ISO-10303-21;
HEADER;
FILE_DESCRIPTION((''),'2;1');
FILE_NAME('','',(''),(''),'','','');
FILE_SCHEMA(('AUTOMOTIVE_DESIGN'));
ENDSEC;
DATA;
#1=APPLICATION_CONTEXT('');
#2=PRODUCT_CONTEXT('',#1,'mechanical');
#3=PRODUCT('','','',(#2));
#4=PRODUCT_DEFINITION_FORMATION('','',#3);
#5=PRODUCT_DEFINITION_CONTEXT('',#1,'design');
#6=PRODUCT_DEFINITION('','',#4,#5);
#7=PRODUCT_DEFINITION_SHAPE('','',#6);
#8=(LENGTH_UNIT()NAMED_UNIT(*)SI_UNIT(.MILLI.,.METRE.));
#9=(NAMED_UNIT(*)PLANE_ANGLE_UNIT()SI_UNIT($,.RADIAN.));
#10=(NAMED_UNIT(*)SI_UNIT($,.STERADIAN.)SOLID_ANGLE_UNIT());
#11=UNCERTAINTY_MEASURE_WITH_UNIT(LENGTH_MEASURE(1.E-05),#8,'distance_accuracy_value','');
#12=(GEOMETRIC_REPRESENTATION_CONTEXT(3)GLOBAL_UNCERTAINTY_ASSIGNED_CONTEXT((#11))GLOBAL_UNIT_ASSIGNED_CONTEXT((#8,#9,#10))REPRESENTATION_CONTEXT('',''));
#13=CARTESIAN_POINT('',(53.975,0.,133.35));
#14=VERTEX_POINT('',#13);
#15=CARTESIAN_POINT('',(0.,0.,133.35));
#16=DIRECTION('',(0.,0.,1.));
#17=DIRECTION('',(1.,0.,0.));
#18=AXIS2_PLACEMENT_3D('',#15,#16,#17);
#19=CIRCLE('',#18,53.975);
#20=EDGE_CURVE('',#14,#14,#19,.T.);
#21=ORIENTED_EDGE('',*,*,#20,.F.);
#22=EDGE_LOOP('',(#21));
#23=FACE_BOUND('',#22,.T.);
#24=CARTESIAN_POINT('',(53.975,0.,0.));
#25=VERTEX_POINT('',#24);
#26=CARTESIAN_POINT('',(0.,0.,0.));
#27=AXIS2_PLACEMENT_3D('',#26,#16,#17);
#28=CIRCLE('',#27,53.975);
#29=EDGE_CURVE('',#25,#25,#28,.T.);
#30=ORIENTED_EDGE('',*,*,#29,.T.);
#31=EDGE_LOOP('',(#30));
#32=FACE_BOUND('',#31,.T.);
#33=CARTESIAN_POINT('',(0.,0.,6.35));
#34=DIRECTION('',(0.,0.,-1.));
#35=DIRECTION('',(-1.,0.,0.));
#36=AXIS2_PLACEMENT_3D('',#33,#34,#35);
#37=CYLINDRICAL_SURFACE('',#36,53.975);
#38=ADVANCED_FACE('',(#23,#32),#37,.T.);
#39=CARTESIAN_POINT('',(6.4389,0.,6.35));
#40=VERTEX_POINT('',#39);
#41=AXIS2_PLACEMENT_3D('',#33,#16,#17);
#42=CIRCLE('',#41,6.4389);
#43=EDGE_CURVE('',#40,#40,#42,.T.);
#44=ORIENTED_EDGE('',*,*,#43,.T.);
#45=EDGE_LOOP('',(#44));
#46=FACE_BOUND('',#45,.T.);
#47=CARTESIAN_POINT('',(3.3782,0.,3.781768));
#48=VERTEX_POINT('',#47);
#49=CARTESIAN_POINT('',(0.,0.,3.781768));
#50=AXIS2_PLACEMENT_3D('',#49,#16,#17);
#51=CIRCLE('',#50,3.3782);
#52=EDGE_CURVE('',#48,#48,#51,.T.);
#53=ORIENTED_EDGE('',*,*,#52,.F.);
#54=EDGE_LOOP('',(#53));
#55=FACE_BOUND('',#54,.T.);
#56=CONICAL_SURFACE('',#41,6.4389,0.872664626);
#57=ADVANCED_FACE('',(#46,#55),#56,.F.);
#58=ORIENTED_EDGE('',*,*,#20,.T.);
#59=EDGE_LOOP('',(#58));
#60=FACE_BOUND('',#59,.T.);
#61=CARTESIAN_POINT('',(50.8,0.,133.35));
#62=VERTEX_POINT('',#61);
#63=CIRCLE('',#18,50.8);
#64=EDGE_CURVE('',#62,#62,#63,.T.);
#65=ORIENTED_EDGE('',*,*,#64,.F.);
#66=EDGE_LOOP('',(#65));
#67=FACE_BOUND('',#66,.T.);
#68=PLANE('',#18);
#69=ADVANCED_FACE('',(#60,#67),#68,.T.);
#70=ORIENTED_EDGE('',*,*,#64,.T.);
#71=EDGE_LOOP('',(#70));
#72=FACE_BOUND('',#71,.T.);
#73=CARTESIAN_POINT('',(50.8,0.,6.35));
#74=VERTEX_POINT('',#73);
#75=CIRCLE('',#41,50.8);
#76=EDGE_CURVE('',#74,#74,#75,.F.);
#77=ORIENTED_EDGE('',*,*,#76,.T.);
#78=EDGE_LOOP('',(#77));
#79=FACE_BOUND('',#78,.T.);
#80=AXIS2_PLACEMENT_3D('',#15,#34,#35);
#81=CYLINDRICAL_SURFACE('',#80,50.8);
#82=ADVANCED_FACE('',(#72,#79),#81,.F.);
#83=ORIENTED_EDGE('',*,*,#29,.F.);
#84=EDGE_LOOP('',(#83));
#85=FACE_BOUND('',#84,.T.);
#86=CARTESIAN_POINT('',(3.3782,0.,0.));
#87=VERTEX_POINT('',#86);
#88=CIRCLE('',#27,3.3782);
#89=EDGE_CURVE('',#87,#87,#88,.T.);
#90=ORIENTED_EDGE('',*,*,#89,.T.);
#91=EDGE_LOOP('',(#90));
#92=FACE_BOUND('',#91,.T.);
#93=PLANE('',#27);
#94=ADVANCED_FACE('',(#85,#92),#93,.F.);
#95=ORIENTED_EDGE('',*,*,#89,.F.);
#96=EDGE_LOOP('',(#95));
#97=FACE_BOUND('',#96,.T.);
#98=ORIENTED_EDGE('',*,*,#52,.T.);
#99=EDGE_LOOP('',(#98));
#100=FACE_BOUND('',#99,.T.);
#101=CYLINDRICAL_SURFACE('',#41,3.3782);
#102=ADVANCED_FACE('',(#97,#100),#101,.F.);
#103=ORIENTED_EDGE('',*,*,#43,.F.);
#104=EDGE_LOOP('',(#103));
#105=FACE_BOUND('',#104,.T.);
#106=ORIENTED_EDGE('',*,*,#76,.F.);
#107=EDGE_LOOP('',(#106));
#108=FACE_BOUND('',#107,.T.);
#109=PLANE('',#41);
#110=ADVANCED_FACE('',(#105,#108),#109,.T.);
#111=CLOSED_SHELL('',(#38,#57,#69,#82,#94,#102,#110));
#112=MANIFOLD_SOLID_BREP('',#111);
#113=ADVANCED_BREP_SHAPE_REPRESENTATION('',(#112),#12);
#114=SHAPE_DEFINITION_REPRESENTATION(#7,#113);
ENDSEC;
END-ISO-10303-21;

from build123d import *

# Parameters (mm, degrees)
SKETCH1_R                                           = 53.975
BOSS_EXTRUDE1_DEPTH                                 = 6.35
CSK_FOR_1_4_FLAT_HEAD_MACHINE_SCREW_100_D           = 6.7564
CSK_FOR_1_4_FLAT_HEAD_MACHINE_SCREW_100_CSINK_D     = 12.8778
CSK_FOR_1_4_FLAT_HEAD_MACHINE_SCREW_100_CSINK_ANGLE = 100
SKETCH4_R                                           = 53.975
SKETCH4_R_2                                         = 50.8
BOSS_EXTRUDE2_DEPTH                                 = 127


with BuildPart() as part:
    # Sketch1 → Boss-Extrude1 (new body)
    with BuildSketch(Plane.XY):
        Circle(SKETCH1_R)
    extrude(amount=BOSS_EXTRUDE1_DEPTH)

    # CSK for 1/4 Flat Head Machine Screw (100)1 (through all)
    with Locations(Plane.XY.offset(6.35)):
        with Locations((0, 0)):
            CounterSinkHole(CSK_FOR_1_4_FLAT_HEAD_MACHINE_SCREW_100_D / 2, CSK_FOR_1_4_FLAT_HEAD_MACHINE_SCREW_100_CSINK_D / 2, counter_sink_angle=CSK_FOR_1_4_FLAT_HEAD_MACHINE_SCREW_100_CSINK_ANGLE)

    # Sketch4 → Boss-Extrude2 (add)
    with BuildSketch(Plane.XY.offset(6.35)):
        Circle(SKETCH4_R)
        Circle(SKETCH4_R_2, mode=Mode.SUBTRACT)
    extrude(amount=BOSS_EXTRUDE2_DEPTH)


solid = part.part
